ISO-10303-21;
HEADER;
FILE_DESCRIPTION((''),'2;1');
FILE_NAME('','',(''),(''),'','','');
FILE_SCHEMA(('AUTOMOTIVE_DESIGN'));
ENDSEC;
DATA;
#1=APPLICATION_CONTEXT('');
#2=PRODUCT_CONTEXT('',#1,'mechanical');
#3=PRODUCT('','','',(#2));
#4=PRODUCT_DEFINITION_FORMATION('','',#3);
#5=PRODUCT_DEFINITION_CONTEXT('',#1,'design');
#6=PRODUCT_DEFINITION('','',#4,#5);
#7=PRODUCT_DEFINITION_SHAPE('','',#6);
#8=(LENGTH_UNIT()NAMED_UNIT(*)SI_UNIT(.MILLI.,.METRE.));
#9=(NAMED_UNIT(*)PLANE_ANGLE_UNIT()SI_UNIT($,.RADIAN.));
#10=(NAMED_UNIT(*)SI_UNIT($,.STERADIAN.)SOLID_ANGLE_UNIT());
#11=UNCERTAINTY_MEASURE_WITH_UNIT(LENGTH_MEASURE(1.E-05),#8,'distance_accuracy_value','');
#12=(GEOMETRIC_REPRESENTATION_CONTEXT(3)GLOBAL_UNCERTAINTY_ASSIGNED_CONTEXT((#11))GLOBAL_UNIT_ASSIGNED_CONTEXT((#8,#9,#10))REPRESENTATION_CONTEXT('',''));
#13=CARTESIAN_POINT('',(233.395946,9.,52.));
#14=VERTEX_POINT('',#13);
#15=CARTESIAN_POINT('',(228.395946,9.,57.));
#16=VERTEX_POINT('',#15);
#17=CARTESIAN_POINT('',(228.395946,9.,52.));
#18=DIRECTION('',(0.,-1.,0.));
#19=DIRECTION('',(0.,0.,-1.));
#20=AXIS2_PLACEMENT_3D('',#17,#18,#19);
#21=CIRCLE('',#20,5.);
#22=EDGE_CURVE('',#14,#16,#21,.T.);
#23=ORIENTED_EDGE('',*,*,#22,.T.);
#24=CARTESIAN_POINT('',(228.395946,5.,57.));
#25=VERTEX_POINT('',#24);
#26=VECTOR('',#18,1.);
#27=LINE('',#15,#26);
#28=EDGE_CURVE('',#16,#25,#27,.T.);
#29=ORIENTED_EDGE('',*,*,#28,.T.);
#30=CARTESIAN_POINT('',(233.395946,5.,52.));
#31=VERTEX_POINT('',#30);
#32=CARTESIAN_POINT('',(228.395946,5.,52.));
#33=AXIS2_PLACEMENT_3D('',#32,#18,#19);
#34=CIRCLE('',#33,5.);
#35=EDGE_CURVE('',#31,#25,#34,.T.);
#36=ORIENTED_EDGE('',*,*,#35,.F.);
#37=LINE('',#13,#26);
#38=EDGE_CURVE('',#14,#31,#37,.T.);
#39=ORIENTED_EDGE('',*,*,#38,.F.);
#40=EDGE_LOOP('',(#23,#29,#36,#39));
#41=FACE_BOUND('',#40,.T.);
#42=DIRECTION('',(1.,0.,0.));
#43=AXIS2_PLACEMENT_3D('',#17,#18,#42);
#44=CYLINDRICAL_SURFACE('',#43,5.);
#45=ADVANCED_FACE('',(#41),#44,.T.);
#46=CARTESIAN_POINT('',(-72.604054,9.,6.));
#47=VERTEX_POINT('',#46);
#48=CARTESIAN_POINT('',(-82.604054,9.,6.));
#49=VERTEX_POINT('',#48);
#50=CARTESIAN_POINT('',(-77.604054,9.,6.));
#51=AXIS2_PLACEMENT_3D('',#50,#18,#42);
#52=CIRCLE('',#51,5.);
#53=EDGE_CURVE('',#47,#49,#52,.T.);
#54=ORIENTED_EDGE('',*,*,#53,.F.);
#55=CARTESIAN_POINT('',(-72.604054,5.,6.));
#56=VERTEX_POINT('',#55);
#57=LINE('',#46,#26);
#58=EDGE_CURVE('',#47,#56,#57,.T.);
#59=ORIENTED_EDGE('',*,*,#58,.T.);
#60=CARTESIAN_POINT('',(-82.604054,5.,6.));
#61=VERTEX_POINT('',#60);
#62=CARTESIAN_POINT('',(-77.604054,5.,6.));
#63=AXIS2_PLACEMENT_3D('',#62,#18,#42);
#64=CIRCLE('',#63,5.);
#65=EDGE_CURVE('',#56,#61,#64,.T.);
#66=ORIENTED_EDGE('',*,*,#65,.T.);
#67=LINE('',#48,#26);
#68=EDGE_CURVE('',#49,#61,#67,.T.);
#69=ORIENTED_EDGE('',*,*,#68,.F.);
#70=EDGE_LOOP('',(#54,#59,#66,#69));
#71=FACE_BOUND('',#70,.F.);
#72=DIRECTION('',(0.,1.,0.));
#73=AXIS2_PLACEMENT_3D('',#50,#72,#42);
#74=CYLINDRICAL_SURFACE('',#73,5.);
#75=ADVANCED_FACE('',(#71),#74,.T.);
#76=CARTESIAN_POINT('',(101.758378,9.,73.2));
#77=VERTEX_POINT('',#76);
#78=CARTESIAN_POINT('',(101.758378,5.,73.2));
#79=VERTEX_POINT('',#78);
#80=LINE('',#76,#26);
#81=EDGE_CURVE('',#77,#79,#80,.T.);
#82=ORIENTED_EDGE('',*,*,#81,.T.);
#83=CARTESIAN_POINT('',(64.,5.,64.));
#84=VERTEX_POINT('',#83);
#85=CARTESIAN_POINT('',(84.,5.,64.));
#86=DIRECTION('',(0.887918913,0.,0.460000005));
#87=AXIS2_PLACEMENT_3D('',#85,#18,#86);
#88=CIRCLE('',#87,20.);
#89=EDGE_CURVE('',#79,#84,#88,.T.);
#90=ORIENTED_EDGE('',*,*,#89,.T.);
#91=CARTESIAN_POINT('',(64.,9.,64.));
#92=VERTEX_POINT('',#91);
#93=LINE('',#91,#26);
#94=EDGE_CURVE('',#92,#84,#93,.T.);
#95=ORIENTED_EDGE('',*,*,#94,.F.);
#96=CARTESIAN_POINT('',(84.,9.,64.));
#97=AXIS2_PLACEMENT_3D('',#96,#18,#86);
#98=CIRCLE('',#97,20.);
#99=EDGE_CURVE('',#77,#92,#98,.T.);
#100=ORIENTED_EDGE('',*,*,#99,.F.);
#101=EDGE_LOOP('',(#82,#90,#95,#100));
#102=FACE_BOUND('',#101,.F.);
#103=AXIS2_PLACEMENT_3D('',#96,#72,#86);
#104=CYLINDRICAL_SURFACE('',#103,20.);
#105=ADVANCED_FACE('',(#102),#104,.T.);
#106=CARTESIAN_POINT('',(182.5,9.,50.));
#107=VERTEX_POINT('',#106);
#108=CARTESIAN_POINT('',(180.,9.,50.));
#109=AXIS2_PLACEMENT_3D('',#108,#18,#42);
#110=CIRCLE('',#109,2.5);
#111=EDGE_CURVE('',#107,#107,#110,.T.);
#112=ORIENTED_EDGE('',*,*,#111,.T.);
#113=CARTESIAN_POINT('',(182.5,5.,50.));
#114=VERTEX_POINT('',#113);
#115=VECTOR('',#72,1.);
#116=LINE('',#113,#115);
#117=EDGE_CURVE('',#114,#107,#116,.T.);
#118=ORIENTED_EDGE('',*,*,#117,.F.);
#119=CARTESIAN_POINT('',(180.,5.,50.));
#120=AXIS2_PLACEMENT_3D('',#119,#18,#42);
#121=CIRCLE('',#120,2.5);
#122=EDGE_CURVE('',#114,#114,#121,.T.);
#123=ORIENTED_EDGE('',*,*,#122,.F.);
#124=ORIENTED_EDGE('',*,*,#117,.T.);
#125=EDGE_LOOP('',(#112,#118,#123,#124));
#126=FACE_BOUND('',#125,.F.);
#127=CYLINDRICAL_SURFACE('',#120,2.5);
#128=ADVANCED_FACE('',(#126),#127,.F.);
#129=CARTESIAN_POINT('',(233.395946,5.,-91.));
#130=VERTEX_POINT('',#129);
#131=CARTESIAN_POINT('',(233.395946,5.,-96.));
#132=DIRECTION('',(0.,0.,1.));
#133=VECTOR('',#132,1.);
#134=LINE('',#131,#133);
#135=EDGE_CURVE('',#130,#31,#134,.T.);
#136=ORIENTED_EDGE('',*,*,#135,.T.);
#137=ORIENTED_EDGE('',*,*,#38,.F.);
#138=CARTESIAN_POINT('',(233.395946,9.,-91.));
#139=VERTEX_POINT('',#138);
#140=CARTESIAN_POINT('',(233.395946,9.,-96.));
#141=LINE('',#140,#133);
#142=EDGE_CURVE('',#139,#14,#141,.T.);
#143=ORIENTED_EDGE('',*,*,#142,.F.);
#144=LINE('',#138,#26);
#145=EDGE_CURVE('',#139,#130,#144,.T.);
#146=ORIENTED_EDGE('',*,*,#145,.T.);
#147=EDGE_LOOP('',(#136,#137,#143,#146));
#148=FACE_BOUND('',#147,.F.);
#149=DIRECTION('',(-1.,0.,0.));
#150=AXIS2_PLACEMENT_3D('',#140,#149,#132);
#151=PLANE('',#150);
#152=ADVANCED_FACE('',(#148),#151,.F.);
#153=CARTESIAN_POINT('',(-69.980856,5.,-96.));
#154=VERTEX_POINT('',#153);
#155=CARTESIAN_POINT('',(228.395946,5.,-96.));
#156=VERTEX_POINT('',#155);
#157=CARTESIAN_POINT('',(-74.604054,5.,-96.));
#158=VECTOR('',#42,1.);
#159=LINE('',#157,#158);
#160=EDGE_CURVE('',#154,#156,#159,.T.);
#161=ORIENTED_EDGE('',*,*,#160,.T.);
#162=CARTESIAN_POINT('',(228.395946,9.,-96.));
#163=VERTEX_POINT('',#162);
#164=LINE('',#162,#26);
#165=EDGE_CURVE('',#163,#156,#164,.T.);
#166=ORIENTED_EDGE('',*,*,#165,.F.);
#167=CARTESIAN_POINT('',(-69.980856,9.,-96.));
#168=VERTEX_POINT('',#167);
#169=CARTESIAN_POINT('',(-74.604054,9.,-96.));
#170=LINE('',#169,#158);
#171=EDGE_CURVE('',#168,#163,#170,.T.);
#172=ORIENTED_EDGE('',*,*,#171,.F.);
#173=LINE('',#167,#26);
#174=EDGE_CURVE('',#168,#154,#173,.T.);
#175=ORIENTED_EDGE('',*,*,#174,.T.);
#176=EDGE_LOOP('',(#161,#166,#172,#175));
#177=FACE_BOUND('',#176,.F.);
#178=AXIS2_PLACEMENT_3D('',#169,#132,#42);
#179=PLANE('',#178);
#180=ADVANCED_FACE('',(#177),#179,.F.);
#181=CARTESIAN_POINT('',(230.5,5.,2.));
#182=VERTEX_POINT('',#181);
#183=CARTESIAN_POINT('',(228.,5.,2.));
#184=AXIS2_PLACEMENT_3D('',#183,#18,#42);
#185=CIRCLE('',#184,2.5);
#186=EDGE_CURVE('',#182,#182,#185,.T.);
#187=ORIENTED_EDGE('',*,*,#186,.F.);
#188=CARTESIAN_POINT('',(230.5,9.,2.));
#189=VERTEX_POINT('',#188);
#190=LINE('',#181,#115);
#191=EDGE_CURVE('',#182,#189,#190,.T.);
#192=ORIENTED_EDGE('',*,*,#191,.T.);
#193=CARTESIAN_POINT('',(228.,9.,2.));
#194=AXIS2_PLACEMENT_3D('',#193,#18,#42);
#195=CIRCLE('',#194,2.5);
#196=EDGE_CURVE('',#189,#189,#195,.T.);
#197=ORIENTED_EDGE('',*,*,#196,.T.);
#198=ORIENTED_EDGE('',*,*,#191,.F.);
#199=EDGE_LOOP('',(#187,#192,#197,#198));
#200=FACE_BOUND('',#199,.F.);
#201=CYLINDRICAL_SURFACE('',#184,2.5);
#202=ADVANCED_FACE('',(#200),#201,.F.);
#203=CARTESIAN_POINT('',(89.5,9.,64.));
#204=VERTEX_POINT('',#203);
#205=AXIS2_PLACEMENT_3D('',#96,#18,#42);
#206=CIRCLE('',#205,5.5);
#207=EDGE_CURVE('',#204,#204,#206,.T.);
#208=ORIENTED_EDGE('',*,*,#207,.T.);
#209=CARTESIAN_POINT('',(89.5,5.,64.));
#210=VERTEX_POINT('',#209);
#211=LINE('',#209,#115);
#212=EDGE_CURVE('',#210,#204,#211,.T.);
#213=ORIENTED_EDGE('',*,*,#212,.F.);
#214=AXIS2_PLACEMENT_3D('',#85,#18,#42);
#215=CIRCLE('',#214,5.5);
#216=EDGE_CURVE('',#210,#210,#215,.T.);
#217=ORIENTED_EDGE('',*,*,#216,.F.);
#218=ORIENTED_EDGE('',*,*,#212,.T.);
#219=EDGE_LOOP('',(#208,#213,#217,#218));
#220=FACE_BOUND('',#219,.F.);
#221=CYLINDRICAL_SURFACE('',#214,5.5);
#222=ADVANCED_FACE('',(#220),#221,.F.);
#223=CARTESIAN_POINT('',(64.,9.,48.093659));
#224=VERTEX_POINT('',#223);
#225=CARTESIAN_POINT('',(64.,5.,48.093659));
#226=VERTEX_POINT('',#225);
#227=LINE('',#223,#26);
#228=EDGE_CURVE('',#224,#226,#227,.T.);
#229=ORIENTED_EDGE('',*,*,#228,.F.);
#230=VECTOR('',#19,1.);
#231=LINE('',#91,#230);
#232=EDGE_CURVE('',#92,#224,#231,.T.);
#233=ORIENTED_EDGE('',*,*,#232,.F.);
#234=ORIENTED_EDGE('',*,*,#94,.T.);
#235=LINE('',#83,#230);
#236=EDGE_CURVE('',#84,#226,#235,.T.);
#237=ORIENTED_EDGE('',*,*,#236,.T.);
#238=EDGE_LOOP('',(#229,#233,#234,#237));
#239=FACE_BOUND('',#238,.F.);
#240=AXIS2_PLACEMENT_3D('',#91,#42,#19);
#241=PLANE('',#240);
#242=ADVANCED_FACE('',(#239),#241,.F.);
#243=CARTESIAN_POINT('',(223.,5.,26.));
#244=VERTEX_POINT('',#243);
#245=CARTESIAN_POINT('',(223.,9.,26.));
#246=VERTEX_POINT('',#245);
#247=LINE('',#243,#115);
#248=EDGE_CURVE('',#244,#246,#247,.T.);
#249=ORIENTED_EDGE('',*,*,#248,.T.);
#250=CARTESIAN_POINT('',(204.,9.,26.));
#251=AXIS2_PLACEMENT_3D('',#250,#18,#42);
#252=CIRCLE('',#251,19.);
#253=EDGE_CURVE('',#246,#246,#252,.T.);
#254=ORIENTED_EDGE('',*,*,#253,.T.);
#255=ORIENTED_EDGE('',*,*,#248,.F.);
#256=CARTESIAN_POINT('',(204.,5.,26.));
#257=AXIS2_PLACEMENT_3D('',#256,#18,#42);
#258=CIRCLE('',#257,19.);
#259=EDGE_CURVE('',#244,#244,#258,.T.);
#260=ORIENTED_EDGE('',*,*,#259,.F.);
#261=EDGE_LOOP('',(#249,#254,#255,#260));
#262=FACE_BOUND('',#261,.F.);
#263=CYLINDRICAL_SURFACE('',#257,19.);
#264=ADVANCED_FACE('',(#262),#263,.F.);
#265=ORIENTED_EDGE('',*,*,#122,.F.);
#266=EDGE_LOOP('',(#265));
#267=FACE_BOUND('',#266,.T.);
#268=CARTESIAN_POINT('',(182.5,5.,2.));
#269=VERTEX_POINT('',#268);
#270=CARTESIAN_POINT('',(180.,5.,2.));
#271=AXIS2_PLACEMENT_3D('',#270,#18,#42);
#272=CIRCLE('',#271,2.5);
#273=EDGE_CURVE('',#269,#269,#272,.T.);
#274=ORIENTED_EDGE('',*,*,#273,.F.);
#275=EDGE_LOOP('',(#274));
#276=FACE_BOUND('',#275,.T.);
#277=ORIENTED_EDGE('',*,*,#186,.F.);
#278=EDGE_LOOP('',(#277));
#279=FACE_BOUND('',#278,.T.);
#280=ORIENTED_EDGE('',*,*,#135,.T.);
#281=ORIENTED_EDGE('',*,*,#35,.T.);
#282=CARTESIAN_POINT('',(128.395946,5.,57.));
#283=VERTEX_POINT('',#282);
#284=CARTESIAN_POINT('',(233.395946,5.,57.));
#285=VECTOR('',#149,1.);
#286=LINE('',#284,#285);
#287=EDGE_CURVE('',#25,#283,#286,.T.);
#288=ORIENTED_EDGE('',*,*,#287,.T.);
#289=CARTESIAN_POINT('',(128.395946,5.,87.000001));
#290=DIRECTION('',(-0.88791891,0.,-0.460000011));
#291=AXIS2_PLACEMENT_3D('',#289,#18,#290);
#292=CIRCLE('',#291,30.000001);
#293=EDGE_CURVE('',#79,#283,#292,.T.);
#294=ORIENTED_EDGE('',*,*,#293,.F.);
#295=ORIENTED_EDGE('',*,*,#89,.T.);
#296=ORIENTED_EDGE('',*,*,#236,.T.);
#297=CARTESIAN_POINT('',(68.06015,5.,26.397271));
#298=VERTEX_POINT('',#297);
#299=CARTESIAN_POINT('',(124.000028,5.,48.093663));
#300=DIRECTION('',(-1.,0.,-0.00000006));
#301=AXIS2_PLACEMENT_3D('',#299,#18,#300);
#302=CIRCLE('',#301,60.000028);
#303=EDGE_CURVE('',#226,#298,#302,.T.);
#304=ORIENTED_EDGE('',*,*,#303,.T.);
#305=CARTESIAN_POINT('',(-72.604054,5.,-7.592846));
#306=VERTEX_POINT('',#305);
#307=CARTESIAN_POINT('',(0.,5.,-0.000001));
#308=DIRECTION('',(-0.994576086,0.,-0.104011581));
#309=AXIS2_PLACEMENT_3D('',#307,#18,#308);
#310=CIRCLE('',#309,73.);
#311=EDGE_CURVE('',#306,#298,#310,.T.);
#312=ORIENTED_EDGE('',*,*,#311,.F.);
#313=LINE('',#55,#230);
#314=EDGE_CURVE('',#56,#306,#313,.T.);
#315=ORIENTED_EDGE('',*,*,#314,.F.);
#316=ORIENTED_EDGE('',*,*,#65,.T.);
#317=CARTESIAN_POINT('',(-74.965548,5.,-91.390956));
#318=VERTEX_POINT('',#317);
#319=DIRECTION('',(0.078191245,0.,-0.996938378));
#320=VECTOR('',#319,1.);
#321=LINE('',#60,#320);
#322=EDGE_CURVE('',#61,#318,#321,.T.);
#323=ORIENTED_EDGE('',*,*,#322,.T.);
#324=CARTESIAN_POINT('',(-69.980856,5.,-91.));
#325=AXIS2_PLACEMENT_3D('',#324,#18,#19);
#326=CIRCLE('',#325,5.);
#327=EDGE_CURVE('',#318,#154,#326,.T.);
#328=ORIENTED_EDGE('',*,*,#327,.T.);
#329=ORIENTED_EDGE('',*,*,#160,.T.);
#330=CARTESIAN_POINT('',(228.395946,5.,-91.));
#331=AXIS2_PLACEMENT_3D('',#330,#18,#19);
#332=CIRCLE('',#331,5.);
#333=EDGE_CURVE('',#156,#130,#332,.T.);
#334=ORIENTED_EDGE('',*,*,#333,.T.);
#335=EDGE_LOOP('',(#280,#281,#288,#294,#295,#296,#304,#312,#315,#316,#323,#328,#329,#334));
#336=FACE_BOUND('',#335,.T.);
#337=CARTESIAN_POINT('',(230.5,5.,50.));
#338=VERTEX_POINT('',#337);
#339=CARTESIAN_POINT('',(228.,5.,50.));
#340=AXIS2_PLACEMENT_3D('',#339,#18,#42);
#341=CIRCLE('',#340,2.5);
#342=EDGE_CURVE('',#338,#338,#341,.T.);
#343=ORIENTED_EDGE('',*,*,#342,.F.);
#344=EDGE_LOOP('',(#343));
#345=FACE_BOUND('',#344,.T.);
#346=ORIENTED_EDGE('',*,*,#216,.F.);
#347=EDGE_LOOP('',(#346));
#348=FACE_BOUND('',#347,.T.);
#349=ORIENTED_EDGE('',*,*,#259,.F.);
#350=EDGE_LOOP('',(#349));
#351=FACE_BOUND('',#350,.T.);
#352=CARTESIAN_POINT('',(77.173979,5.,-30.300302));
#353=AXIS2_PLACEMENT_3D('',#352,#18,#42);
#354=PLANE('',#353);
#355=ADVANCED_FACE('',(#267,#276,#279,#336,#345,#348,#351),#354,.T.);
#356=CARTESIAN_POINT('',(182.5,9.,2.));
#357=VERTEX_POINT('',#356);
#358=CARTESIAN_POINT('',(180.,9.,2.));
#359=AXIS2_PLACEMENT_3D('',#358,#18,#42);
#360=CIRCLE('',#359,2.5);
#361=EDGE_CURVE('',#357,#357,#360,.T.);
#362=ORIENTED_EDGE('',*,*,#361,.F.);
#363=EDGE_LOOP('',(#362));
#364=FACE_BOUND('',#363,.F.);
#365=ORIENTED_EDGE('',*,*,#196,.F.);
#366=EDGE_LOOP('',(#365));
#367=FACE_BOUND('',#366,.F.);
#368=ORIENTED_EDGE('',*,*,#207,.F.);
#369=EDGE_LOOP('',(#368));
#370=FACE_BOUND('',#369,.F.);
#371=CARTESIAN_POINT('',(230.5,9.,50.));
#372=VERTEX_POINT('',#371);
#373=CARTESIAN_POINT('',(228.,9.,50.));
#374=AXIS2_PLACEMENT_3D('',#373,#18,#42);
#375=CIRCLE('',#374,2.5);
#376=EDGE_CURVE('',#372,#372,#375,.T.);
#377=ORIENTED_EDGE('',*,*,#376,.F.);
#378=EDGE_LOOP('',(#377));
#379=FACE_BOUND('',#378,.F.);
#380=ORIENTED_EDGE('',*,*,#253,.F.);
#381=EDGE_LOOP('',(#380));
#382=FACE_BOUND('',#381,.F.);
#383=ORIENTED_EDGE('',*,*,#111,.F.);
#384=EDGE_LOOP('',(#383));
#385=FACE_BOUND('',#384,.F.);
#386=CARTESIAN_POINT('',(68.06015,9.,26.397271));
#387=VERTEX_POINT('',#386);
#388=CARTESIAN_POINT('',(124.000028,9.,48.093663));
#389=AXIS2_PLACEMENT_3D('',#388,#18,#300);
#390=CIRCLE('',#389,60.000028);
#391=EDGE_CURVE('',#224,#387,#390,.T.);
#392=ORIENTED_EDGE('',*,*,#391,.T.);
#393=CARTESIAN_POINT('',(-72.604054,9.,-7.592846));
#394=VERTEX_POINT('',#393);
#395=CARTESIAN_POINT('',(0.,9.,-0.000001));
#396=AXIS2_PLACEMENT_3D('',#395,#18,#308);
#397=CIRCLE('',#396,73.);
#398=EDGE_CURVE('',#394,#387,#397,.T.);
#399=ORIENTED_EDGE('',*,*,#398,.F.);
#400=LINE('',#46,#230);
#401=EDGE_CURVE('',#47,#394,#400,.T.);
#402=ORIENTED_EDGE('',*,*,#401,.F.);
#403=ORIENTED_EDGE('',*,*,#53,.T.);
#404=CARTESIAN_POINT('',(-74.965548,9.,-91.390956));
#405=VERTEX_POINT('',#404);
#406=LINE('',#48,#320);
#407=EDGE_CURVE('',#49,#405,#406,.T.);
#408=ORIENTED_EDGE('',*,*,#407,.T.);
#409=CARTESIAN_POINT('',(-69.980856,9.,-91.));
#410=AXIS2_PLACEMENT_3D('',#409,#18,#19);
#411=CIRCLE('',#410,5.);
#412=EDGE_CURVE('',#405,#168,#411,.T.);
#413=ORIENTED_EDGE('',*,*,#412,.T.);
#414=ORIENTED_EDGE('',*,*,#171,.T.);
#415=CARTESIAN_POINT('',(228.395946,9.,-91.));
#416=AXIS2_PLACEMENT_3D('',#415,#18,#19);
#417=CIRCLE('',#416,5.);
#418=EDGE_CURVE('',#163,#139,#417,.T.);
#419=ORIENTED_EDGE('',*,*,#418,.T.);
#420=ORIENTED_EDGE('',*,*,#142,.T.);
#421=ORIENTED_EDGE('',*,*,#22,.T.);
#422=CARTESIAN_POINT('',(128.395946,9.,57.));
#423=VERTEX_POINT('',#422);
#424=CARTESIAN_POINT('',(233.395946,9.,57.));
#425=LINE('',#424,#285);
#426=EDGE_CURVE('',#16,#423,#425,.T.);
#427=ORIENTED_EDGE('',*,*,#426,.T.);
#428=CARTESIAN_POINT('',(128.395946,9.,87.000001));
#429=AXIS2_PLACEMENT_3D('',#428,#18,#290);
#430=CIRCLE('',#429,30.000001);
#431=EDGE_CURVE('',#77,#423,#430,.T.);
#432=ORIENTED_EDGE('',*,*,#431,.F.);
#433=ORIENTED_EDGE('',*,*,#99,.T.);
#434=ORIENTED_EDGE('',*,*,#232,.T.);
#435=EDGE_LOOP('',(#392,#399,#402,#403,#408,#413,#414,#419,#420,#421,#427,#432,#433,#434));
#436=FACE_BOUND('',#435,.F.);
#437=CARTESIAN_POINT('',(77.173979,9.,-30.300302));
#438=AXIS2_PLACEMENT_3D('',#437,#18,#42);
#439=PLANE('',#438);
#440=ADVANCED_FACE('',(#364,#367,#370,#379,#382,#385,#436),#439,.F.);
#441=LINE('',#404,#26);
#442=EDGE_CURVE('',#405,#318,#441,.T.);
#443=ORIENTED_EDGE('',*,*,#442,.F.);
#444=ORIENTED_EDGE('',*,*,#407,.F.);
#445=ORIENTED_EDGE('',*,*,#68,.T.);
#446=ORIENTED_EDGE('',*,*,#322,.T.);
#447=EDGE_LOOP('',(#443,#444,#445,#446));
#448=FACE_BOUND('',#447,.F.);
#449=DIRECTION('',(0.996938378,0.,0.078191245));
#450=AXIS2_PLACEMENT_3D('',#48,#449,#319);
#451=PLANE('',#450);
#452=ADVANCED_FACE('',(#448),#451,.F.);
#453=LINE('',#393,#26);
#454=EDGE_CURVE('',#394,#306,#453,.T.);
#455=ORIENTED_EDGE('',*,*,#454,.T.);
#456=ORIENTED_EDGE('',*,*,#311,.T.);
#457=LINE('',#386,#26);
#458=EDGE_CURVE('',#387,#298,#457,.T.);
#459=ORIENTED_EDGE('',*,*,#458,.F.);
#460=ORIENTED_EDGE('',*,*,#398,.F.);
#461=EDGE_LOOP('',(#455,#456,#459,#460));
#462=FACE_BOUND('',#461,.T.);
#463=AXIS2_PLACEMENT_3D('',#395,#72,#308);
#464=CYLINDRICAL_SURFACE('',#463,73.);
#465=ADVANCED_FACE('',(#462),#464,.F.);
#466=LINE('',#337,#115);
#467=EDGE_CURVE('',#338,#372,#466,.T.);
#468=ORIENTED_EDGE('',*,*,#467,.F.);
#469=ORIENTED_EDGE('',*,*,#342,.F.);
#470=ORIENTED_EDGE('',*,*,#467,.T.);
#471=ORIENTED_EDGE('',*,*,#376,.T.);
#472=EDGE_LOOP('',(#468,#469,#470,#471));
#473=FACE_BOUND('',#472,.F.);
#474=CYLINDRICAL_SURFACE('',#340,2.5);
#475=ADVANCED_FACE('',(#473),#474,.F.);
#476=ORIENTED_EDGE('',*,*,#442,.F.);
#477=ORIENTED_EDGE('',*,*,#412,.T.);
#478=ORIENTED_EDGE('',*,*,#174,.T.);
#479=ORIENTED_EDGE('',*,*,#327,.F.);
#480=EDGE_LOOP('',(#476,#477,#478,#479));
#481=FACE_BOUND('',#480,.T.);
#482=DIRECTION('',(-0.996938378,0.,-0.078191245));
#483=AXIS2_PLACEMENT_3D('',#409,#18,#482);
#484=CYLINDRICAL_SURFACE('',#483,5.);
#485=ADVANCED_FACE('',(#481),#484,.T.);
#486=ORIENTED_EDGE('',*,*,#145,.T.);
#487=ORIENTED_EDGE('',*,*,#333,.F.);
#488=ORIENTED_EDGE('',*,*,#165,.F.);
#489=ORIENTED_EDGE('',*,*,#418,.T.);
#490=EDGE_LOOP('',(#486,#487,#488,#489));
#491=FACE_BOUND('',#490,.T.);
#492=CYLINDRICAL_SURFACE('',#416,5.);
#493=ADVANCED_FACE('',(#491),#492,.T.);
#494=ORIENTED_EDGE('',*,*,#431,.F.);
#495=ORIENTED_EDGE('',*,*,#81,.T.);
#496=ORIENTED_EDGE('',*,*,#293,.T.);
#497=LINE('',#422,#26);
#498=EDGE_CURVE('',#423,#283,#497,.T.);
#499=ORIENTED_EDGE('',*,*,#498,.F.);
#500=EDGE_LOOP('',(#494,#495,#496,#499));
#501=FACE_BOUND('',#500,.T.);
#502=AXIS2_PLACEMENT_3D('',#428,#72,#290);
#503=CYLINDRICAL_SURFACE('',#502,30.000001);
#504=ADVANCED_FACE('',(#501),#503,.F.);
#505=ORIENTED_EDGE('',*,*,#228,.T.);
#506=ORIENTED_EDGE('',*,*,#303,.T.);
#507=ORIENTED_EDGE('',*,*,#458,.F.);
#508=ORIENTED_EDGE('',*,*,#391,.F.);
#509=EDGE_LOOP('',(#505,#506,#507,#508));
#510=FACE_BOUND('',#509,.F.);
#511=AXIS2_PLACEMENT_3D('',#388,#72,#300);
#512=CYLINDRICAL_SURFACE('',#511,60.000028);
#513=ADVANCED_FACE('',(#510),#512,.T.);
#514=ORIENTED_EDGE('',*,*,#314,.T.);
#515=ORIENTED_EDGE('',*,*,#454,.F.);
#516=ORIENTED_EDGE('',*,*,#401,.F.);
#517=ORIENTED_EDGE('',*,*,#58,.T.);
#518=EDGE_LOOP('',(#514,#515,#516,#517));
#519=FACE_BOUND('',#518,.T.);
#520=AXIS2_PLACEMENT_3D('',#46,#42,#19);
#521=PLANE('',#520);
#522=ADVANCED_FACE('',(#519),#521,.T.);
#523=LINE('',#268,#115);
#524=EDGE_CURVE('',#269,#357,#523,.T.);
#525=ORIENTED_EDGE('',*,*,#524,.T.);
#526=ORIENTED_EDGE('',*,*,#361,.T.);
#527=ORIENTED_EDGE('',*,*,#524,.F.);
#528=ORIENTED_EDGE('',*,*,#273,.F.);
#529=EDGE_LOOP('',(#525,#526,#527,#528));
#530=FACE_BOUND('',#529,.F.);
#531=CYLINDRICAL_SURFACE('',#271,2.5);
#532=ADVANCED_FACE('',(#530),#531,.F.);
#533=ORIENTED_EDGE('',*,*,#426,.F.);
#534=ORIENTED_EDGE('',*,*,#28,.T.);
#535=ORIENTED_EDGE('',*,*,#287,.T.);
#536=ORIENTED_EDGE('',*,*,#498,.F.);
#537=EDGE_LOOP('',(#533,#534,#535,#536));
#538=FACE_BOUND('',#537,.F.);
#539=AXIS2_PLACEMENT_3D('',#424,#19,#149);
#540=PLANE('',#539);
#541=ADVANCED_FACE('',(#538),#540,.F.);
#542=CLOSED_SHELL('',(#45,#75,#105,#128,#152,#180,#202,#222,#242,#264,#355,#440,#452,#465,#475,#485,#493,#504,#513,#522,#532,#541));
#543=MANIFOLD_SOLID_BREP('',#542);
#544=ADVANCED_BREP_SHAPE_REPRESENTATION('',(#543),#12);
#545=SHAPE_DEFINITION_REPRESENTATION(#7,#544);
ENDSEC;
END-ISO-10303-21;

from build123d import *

# Parameters (mm, degrees)
PAD_DEPTH     = 4
SKETCH002_R   = 19
SKETCH002_R_2 = 2.5
SKETCH002_R_3 = 5.5
POCKET_DEPTH  = 4.001
FILLET001_R   = 5


with BuildPart() as part:
    # Sketch001 → Pad (new body)
    with BuildSketch(Plane.XZ):
        with BuildLine():
            Line((-82.604054, 6), (-74.604054, -96))
            Line((-74.604054, -96), (233.395946, -96))
            Line((233.395946, -96), (233.395946, 57))
            Line((233.395946, 57), (128.395946, 57))
            ThreePointArc((101.758378, 73.2), (112.807488, 61.367989), (128.395946, 57))
            ThreePointArc((101.758378, 73.2), (79.265423, 83.431515), (64, 64))
            Line((64, 64), (64, 48.093659))
            ThreePointArc((64, 48.093659), (65.023772, 37.057151), (68.06015, 26.397271))
            ThreePointArc((-72.604054, -7.592846), (17.146247, -70.957778), (68.06015, 26.397271))
            Line((-72.604054, 6), (-72.604054, -7.592846))
            ThreePointArc((-72.604054, 6), (-77.604054, 11), (-82.604054, 6))
        make_face()
    extrude(amount=PAD_DEPTH)

    # Sketch002 → Pocket (cut, through all)
    with BuildSketch(Plane.XZ.offset(4)):
        with Locations((204, 26)):
            Circle(SKETCH002_R)
        with Locations((180, 50)):
            Circle(SKETCH002_R_2)
        with Locations((228, 50)):
            Circle(SKETCH002_R_2)
        with Locations((228, 2)):
            Circle(SKETCH002_R_2)
        with Locations((180, 2)):
            Circle(SKETCH002_R_2)
        with Locations((84, 64)):
            Circle(SKETCH002_R_3)
    extrude(amount=-POCKET_DEPTH, mode=Mode.SUBTRACT)

    # Fillet001
    fillet001_edges = [part.edges().sort_by_distance(p)[0] for p in [
        (233.395946, -2, 57),
        (233.395946, -2, -96),
        (-74.604054, -2, -96),
    ]]
    fillet(fillet001_edges, radius=FILLET001_R)


with BuildPart() as part_1:
    # Body004 placement: moved
    add(part.part.moved(Location((0, 9, 0))))


solid = part_1.part
